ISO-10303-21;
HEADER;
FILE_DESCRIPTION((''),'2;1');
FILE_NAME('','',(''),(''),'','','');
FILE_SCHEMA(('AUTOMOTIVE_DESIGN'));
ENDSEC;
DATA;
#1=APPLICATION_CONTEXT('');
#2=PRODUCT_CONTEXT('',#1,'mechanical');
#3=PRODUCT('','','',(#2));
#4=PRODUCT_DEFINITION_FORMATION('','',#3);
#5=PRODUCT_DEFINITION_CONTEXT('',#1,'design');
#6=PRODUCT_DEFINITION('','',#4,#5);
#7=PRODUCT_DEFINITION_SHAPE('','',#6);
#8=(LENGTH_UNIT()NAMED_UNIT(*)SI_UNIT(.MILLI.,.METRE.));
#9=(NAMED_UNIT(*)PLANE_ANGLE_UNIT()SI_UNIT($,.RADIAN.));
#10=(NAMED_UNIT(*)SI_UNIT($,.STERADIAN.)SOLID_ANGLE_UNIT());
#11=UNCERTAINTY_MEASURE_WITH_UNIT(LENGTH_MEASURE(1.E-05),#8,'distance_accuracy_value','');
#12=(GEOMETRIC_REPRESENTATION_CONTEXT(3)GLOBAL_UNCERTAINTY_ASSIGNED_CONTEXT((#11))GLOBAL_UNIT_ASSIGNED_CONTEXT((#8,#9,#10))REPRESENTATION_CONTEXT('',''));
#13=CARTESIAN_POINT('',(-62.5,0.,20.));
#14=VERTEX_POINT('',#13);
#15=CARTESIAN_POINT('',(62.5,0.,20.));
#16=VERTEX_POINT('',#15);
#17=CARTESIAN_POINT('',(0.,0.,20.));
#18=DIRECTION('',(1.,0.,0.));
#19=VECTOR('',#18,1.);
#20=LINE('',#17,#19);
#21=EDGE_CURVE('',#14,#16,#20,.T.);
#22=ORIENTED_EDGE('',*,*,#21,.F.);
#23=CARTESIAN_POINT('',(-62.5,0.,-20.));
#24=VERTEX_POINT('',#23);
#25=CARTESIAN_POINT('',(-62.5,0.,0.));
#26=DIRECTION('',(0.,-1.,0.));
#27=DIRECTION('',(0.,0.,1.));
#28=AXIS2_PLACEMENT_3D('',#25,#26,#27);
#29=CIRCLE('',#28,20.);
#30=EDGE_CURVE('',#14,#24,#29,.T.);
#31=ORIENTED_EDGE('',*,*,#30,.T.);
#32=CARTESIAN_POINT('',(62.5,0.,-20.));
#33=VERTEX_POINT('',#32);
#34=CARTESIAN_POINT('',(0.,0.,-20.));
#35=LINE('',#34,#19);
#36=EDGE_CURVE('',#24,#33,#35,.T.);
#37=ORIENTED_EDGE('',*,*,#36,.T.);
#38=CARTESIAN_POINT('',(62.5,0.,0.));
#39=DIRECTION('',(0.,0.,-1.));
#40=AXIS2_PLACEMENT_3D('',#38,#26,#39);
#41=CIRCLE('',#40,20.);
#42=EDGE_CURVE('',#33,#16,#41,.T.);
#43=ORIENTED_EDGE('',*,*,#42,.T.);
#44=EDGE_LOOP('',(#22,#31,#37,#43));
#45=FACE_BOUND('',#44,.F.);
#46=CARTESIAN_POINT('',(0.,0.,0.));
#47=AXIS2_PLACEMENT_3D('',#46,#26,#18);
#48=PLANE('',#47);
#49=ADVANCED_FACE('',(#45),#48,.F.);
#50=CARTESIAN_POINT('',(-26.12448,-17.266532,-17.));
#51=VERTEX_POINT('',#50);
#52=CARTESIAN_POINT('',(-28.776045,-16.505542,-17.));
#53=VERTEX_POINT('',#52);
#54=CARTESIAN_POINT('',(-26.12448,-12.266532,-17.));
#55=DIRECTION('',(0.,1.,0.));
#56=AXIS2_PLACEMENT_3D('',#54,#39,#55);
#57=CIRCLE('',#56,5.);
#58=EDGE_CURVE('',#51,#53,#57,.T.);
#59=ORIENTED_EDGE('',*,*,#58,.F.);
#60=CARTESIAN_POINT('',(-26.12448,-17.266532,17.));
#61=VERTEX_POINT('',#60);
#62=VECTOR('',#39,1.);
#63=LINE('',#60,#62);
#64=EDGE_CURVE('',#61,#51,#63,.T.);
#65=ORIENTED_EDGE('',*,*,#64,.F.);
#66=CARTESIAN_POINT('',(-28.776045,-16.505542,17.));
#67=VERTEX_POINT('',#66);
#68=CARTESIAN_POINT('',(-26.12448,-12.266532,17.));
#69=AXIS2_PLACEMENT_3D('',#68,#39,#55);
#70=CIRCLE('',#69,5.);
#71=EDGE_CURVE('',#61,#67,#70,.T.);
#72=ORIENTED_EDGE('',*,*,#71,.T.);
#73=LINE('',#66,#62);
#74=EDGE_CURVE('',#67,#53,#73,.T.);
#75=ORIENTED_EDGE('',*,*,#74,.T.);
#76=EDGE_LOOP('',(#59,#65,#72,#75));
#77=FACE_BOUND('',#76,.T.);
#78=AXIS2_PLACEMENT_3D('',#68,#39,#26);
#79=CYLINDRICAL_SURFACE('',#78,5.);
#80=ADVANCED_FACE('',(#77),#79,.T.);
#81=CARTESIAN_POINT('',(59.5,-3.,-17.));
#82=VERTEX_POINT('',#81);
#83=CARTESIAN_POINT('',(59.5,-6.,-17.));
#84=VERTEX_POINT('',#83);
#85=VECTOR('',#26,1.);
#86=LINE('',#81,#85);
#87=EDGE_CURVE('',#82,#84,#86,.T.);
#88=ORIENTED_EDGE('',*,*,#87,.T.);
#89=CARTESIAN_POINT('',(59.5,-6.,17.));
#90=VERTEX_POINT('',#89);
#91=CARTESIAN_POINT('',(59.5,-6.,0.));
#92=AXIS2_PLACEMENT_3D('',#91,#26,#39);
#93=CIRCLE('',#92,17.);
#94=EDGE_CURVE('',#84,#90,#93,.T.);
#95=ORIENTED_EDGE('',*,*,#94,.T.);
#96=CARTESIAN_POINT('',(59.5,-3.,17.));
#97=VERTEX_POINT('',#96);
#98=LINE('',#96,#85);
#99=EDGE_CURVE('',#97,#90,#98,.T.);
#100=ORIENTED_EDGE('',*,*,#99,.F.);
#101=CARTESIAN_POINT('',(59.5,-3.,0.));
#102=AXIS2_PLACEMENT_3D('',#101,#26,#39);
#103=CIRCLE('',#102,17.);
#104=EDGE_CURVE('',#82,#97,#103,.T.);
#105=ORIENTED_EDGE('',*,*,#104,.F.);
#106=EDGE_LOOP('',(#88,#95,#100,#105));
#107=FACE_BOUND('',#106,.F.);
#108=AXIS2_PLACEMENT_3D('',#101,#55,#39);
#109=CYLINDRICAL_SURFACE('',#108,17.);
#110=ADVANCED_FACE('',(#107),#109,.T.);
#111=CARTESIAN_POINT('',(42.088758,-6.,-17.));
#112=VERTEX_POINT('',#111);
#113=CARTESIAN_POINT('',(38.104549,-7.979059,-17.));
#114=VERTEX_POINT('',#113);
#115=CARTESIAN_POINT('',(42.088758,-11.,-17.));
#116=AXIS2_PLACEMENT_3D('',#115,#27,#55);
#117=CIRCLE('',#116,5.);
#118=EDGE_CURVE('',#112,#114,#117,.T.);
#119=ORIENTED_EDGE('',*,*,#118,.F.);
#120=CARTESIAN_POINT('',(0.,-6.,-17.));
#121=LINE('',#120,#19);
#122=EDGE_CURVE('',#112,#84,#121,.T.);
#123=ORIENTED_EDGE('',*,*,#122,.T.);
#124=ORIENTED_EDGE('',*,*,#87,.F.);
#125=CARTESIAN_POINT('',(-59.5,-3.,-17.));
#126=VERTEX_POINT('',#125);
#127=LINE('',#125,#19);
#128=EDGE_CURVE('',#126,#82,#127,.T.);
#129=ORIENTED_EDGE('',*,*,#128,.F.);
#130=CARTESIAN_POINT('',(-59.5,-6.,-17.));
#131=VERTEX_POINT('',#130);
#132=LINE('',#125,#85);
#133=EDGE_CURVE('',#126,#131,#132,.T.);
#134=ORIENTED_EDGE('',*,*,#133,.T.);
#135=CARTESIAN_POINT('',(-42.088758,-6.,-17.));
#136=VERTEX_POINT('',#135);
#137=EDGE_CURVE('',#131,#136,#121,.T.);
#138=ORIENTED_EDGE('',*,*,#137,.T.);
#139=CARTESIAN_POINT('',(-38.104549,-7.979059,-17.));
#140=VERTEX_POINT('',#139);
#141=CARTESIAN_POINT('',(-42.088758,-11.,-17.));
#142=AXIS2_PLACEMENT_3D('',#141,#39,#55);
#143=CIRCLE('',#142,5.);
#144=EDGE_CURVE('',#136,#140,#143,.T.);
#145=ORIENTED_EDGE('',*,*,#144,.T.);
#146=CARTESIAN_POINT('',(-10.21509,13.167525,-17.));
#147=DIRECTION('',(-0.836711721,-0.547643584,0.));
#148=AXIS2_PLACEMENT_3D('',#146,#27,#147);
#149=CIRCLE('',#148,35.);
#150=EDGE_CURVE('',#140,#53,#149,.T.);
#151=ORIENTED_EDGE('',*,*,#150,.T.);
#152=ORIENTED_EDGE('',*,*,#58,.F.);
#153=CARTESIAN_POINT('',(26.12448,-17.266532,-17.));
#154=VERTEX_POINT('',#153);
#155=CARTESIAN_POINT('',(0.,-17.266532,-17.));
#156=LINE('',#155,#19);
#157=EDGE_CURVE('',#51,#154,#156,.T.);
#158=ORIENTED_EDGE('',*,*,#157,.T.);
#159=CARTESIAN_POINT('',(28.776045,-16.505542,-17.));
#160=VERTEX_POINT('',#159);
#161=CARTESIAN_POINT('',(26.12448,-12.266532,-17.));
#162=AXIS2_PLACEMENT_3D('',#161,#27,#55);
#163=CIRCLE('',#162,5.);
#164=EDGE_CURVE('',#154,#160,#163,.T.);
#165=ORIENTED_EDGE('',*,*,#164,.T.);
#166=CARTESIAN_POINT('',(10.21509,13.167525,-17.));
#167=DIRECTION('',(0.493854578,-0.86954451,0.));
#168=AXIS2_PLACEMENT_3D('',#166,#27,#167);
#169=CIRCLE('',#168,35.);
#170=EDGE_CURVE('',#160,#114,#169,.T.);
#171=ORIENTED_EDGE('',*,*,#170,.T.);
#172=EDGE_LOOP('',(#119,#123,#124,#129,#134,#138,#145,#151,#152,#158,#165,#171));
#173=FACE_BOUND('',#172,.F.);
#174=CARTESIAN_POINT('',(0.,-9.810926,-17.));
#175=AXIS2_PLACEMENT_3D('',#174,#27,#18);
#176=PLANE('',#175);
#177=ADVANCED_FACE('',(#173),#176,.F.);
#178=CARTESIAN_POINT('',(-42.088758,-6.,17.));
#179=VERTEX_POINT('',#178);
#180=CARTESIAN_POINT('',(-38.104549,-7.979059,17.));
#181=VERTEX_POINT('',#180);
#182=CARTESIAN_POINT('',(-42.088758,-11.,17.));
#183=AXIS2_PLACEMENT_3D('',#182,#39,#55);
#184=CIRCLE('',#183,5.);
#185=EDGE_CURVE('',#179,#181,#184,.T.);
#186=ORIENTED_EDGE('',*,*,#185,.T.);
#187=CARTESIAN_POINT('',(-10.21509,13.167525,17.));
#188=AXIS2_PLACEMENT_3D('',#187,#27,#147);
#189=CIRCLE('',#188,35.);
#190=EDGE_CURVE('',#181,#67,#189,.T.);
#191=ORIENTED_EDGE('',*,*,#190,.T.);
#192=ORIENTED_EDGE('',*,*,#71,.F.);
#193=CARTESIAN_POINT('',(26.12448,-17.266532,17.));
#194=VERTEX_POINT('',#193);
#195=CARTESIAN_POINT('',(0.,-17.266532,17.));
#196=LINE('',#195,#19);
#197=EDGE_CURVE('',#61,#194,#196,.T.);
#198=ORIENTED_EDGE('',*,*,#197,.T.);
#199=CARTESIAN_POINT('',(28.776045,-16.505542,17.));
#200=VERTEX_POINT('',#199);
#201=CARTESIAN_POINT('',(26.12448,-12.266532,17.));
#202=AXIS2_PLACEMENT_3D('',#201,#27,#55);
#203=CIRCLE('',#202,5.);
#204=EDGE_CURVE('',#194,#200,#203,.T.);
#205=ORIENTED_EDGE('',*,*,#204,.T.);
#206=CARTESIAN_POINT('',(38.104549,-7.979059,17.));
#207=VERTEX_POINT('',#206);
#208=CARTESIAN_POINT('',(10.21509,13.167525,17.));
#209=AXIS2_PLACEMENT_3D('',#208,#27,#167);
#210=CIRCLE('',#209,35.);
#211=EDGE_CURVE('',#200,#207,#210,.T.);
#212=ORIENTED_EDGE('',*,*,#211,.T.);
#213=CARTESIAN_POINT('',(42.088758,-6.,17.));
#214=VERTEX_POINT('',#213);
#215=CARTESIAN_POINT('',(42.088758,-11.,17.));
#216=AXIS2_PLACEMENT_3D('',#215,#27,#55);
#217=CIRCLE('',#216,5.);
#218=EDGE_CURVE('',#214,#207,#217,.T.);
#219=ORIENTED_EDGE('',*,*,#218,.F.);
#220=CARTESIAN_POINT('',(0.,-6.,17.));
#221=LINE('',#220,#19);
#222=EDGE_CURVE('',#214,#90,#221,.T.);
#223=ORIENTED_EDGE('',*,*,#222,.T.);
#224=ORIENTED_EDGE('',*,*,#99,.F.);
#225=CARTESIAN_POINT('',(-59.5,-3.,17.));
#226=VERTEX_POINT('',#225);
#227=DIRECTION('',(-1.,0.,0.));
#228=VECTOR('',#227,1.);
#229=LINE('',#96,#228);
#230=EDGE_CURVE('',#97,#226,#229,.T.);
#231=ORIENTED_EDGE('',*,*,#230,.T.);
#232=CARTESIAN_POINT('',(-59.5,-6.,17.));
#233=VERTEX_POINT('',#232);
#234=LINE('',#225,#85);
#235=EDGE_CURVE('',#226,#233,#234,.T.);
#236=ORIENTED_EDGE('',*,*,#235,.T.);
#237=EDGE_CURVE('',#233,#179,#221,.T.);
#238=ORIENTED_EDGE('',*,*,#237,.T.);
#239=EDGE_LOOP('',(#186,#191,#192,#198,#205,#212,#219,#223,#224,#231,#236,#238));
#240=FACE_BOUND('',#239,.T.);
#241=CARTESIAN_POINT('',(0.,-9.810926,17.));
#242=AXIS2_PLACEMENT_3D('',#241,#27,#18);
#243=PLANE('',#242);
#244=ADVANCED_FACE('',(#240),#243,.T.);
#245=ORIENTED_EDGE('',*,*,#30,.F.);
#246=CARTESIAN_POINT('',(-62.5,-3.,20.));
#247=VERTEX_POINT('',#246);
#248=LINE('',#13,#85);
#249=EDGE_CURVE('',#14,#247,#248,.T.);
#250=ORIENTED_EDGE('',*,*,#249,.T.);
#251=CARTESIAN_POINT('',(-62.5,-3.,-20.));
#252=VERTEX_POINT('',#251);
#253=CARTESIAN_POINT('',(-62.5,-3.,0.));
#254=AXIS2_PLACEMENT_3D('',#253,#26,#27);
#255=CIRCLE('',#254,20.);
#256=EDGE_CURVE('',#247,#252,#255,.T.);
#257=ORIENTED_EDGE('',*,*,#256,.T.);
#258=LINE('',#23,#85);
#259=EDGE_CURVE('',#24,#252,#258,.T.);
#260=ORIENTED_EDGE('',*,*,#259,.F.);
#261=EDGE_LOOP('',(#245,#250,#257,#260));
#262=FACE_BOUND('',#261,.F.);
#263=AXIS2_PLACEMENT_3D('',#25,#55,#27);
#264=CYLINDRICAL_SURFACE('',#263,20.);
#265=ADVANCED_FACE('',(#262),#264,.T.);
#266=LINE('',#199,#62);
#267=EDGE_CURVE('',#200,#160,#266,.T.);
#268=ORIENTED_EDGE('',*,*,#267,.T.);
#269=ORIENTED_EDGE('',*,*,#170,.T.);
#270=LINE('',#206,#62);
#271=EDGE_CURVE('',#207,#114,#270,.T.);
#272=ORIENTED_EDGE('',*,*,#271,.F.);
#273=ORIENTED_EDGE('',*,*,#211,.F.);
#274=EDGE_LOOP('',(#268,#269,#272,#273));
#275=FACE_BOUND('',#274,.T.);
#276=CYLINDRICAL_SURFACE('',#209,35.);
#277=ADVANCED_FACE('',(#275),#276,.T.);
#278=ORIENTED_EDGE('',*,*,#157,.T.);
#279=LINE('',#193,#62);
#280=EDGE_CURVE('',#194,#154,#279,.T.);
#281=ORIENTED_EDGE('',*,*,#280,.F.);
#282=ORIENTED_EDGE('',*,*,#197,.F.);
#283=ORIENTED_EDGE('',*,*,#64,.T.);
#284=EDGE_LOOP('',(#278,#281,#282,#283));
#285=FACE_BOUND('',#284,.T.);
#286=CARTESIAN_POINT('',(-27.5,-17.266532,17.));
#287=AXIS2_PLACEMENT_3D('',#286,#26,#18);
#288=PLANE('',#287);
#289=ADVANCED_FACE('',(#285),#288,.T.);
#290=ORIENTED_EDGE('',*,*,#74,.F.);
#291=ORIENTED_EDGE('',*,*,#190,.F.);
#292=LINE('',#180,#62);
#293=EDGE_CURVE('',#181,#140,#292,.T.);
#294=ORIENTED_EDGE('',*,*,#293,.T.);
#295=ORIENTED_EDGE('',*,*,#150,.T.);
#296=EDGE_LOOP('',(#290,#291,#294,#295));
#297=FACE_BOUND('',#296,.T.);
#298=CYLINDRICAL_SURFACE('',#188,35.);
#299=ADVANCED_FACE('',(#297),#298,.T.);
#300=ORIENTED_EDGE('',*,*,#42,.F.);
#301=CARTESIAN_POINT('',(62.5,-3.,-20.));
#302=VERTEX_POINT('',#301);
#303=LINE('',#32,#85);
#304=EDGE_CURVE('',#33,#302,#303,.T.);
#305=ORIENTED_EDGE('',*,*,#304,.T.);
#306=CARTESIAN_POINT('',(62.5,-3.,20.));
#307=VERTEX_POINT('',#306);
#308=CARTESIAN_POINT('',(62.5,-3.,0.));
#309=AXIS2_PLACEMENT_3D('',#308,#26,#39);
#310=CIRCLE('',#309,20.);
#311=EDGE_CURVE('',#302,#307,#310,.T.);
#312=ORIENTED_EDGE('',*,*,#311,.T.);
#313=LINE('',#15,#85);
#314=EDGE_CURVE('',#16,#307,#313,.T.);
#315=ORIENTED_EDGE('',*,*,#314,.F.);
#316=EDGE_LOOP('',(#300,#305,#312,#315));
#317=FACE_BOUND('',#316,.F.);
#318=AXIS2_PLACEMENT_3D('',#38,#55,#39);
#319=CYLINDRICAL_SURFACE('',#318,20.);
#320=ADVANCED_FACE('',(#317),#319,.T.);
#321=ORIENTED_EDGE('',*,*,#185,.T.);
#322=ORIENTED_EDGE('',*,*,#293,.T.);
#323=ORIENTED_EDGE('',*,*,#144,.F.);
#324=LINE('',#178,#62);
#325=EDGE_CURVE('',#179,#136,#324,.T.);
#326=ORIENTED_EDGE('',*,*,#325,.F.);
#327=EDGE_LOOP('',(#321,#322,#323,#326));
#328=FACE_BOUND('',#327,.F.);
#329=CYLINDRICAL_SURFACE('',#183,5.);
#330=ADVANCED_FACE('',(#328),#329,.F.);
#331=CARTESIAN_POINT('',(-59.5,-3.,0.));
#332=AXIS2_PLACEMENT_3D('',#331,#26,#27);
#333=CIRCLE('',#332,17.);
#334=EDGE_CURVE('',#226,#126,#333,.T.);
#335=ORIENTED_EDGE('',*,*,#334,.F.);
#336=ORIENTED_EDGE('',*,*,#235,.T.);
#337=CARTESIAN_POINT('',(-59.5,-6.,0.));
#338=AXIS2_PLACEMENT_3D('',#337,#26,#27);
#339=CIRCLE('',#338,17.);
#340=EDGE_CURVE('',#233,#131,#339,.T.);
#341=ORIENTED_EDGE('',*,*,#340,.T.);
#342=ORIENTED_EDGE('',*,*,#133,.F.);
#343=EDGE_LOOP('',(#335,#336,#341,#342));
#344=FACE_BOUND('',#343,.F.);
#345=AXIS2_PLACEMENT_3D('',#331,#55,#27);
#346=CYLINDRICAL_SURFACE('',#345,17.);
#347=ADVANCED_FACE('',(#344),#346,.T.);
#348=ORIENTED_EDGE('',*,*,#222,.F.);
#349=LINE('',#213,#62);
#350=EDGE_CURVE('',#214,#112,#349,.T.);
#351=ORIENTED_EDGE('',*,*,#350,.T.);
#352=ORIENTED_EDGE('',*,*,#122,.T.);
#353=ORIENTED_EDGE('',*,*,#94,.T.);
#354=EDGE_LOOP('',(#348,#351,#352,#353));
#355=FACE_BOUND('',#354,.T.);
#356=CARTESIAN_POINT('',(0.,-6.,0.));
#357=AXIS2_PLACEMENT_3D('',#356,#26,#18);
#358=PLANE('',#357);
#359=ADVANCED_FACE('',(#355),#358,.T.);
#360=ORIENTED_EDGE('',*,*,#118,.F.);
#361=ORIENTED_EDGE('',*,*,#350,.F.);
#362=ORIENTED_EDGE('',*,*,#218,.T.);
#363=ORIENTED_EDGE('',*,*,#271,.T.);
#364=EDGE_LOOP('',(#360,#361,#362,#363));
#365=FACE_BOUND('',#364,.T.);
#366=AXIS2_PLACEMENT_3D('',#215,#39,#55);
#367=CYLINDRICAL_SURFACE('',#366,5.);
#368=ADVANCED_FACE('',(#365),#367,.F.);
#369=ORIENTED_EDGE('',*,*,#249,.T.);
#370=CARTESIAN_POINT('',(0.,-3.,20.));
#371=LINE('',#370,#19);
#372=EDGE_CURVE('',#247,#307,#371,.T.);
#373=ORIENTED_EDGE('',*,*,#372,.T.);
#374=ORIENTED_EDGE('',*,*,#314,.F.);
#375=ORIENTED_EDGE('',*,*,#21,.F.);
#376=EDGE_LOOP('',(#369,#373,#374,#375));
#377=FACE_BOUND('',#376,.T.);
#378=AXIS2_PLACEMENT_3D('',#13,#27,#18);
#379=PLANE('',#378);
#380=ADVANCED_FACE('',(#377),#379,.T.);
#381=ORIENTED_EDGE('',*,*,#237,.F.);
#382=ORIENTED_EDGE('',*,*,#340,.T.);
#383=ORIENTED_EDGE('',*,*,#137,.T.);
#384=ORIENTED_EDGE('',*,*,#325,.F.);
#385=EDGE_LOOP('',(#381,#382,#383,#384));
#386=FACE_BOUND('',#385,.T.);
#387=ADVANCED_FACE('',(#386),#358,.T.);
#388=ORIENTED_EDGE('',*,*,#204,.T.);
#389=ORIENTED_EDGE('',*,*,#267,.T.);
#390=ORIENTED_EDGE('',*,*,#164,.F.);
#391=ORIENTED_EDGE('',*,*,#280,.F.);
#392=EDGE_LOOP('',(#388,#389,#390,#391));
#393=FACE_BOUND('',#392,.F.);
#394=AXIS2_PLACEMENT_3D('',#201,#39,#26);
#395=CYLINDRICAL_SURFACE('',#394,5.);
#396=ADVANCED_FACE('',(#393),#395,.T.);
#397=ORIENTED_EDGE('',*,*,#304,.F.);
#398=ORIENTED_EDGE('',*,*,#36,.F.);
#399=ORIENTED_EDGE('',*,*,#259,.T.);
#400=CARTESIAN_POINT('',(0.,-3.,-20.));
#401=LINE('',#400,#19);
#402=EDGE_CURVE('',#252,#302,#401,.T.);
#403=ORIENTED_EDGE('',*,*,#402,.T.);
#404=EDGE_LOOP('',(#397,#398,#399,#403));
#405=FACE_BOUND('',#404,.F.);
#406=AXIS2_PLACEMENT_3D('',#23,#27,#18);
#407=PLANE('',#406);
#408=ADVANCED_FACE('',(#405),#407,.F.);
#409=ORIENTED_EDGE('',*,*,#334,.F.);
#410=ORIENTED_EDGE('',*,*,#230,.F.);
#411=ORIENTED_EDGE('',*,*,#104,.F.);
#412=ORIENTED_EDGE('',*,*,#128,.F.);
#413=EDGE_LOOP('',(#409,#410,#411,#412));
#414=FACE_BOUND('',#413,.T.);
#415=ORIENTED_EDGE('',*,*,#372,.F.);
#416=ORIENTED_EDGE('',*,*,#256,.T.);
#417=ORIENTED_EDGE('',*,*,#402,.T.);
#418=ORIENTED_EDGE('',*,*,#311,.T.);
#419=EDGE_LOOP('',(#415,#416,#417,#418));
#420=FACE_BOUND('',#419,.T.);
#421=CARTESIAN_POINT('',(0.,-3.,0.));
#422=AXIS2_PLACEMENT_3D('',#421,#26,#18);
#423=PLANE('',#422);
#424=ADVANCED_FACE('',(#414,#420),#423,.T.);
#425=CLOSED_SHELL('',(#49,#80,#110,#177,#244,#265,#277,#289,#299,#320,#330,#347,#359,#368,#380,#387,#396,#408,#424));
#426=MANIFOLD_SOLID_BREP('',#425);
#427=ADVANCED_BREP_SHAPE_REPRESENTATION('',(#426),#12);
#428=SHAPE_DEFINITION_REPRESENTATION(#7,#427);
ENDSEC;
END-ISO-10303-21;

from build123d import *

# Parameters (mm, degrees)
F0_W     = 125
F0_H     = 40
F1_DEPTH = 3
F2_W     = 119
F2_H     = 34
F3_DEPTH = 3
F4_W     = 55
F4_H     = 14.9112120271
F5_DEPTH = 34
F6_R     = 5


with BuildPart() as f1:
    # F0 (on Front) → F1 (new body)
    with BuildSketch(Plane.XZ):
        Rectangle(F0_W, F0_H)
        with BuildLine():
            ThreePointArc((62.5, -20), (82.5, 0), (62.5, 20))
            Line((62.5, 20), (62.5, -20))
        make_face()
        with BuildLine():
            Line((-62.5, -20), (-62.5, 20))
            ThreePointArc((-62.5, 20), (-82.5, 0), (-62.5, -20))
        make_face()
    extrude(amount=F1_DEPTH)

    # F2 (on face) → F3 (join)
    with BuildSketch(Plane.XZ.offset(3)):
        Rectangle(F2_W, F2_H)
        with BuildLine():
            ThreePointArc((59.5, -17), (76.5, 0), (59.5, 17))
            Line((59.5, 17), (59.5, -17))
        make_face()
        with BuildLine():
            Line((-59.5, -17), (-59.5, 17))
            ThreePointArc((-59.5, 17), (-76.5, 0), (-59.5, -17))
        make_face()
    extrude(amount=F3_DEPTH)

    # F4 (on face) → F5 (join)
    with BuildSketch(Plane.XY.offset(17)):
        with Locations((0, -9.8109263927)):
            Rectangle(F4_W, F4_H)
        with BuildLine():
            ThreePointArc((-39.5, -6), (-34.1717325339, -12.3487294988), (-27.5, -17.2665324062))
            Line((-27.5, -17.2665324062), (-27.5, -2.3553203791))
            Line((-27.5, -2.3553203791), (-39.5, -6))
        make_face()
        with BuildLine():
            Line((27.5, -2.3553203791), (27.5, -17.2665324062))
            ThreePointArc((27.5, -17.2665324062), (34.1717325339, -12.3487294988), (39.5, -6))
            Line((39.5, -6), (27.5, -2.3553203791))
        make_face()
    extrude(amount=-F5_DEPTH)

    # F6
    f6_edges = [f1.edges().sort_by_distance(p)[0] for p in [
        (-27.5, -17.266532, 0),
        (27.5, -17.266532, 0),
        (39.5, -6, 0),
        (-39.5, -6, 0),
    ]]
    fillet(f6_edges, radius=F6_R)


solid = f1.part
